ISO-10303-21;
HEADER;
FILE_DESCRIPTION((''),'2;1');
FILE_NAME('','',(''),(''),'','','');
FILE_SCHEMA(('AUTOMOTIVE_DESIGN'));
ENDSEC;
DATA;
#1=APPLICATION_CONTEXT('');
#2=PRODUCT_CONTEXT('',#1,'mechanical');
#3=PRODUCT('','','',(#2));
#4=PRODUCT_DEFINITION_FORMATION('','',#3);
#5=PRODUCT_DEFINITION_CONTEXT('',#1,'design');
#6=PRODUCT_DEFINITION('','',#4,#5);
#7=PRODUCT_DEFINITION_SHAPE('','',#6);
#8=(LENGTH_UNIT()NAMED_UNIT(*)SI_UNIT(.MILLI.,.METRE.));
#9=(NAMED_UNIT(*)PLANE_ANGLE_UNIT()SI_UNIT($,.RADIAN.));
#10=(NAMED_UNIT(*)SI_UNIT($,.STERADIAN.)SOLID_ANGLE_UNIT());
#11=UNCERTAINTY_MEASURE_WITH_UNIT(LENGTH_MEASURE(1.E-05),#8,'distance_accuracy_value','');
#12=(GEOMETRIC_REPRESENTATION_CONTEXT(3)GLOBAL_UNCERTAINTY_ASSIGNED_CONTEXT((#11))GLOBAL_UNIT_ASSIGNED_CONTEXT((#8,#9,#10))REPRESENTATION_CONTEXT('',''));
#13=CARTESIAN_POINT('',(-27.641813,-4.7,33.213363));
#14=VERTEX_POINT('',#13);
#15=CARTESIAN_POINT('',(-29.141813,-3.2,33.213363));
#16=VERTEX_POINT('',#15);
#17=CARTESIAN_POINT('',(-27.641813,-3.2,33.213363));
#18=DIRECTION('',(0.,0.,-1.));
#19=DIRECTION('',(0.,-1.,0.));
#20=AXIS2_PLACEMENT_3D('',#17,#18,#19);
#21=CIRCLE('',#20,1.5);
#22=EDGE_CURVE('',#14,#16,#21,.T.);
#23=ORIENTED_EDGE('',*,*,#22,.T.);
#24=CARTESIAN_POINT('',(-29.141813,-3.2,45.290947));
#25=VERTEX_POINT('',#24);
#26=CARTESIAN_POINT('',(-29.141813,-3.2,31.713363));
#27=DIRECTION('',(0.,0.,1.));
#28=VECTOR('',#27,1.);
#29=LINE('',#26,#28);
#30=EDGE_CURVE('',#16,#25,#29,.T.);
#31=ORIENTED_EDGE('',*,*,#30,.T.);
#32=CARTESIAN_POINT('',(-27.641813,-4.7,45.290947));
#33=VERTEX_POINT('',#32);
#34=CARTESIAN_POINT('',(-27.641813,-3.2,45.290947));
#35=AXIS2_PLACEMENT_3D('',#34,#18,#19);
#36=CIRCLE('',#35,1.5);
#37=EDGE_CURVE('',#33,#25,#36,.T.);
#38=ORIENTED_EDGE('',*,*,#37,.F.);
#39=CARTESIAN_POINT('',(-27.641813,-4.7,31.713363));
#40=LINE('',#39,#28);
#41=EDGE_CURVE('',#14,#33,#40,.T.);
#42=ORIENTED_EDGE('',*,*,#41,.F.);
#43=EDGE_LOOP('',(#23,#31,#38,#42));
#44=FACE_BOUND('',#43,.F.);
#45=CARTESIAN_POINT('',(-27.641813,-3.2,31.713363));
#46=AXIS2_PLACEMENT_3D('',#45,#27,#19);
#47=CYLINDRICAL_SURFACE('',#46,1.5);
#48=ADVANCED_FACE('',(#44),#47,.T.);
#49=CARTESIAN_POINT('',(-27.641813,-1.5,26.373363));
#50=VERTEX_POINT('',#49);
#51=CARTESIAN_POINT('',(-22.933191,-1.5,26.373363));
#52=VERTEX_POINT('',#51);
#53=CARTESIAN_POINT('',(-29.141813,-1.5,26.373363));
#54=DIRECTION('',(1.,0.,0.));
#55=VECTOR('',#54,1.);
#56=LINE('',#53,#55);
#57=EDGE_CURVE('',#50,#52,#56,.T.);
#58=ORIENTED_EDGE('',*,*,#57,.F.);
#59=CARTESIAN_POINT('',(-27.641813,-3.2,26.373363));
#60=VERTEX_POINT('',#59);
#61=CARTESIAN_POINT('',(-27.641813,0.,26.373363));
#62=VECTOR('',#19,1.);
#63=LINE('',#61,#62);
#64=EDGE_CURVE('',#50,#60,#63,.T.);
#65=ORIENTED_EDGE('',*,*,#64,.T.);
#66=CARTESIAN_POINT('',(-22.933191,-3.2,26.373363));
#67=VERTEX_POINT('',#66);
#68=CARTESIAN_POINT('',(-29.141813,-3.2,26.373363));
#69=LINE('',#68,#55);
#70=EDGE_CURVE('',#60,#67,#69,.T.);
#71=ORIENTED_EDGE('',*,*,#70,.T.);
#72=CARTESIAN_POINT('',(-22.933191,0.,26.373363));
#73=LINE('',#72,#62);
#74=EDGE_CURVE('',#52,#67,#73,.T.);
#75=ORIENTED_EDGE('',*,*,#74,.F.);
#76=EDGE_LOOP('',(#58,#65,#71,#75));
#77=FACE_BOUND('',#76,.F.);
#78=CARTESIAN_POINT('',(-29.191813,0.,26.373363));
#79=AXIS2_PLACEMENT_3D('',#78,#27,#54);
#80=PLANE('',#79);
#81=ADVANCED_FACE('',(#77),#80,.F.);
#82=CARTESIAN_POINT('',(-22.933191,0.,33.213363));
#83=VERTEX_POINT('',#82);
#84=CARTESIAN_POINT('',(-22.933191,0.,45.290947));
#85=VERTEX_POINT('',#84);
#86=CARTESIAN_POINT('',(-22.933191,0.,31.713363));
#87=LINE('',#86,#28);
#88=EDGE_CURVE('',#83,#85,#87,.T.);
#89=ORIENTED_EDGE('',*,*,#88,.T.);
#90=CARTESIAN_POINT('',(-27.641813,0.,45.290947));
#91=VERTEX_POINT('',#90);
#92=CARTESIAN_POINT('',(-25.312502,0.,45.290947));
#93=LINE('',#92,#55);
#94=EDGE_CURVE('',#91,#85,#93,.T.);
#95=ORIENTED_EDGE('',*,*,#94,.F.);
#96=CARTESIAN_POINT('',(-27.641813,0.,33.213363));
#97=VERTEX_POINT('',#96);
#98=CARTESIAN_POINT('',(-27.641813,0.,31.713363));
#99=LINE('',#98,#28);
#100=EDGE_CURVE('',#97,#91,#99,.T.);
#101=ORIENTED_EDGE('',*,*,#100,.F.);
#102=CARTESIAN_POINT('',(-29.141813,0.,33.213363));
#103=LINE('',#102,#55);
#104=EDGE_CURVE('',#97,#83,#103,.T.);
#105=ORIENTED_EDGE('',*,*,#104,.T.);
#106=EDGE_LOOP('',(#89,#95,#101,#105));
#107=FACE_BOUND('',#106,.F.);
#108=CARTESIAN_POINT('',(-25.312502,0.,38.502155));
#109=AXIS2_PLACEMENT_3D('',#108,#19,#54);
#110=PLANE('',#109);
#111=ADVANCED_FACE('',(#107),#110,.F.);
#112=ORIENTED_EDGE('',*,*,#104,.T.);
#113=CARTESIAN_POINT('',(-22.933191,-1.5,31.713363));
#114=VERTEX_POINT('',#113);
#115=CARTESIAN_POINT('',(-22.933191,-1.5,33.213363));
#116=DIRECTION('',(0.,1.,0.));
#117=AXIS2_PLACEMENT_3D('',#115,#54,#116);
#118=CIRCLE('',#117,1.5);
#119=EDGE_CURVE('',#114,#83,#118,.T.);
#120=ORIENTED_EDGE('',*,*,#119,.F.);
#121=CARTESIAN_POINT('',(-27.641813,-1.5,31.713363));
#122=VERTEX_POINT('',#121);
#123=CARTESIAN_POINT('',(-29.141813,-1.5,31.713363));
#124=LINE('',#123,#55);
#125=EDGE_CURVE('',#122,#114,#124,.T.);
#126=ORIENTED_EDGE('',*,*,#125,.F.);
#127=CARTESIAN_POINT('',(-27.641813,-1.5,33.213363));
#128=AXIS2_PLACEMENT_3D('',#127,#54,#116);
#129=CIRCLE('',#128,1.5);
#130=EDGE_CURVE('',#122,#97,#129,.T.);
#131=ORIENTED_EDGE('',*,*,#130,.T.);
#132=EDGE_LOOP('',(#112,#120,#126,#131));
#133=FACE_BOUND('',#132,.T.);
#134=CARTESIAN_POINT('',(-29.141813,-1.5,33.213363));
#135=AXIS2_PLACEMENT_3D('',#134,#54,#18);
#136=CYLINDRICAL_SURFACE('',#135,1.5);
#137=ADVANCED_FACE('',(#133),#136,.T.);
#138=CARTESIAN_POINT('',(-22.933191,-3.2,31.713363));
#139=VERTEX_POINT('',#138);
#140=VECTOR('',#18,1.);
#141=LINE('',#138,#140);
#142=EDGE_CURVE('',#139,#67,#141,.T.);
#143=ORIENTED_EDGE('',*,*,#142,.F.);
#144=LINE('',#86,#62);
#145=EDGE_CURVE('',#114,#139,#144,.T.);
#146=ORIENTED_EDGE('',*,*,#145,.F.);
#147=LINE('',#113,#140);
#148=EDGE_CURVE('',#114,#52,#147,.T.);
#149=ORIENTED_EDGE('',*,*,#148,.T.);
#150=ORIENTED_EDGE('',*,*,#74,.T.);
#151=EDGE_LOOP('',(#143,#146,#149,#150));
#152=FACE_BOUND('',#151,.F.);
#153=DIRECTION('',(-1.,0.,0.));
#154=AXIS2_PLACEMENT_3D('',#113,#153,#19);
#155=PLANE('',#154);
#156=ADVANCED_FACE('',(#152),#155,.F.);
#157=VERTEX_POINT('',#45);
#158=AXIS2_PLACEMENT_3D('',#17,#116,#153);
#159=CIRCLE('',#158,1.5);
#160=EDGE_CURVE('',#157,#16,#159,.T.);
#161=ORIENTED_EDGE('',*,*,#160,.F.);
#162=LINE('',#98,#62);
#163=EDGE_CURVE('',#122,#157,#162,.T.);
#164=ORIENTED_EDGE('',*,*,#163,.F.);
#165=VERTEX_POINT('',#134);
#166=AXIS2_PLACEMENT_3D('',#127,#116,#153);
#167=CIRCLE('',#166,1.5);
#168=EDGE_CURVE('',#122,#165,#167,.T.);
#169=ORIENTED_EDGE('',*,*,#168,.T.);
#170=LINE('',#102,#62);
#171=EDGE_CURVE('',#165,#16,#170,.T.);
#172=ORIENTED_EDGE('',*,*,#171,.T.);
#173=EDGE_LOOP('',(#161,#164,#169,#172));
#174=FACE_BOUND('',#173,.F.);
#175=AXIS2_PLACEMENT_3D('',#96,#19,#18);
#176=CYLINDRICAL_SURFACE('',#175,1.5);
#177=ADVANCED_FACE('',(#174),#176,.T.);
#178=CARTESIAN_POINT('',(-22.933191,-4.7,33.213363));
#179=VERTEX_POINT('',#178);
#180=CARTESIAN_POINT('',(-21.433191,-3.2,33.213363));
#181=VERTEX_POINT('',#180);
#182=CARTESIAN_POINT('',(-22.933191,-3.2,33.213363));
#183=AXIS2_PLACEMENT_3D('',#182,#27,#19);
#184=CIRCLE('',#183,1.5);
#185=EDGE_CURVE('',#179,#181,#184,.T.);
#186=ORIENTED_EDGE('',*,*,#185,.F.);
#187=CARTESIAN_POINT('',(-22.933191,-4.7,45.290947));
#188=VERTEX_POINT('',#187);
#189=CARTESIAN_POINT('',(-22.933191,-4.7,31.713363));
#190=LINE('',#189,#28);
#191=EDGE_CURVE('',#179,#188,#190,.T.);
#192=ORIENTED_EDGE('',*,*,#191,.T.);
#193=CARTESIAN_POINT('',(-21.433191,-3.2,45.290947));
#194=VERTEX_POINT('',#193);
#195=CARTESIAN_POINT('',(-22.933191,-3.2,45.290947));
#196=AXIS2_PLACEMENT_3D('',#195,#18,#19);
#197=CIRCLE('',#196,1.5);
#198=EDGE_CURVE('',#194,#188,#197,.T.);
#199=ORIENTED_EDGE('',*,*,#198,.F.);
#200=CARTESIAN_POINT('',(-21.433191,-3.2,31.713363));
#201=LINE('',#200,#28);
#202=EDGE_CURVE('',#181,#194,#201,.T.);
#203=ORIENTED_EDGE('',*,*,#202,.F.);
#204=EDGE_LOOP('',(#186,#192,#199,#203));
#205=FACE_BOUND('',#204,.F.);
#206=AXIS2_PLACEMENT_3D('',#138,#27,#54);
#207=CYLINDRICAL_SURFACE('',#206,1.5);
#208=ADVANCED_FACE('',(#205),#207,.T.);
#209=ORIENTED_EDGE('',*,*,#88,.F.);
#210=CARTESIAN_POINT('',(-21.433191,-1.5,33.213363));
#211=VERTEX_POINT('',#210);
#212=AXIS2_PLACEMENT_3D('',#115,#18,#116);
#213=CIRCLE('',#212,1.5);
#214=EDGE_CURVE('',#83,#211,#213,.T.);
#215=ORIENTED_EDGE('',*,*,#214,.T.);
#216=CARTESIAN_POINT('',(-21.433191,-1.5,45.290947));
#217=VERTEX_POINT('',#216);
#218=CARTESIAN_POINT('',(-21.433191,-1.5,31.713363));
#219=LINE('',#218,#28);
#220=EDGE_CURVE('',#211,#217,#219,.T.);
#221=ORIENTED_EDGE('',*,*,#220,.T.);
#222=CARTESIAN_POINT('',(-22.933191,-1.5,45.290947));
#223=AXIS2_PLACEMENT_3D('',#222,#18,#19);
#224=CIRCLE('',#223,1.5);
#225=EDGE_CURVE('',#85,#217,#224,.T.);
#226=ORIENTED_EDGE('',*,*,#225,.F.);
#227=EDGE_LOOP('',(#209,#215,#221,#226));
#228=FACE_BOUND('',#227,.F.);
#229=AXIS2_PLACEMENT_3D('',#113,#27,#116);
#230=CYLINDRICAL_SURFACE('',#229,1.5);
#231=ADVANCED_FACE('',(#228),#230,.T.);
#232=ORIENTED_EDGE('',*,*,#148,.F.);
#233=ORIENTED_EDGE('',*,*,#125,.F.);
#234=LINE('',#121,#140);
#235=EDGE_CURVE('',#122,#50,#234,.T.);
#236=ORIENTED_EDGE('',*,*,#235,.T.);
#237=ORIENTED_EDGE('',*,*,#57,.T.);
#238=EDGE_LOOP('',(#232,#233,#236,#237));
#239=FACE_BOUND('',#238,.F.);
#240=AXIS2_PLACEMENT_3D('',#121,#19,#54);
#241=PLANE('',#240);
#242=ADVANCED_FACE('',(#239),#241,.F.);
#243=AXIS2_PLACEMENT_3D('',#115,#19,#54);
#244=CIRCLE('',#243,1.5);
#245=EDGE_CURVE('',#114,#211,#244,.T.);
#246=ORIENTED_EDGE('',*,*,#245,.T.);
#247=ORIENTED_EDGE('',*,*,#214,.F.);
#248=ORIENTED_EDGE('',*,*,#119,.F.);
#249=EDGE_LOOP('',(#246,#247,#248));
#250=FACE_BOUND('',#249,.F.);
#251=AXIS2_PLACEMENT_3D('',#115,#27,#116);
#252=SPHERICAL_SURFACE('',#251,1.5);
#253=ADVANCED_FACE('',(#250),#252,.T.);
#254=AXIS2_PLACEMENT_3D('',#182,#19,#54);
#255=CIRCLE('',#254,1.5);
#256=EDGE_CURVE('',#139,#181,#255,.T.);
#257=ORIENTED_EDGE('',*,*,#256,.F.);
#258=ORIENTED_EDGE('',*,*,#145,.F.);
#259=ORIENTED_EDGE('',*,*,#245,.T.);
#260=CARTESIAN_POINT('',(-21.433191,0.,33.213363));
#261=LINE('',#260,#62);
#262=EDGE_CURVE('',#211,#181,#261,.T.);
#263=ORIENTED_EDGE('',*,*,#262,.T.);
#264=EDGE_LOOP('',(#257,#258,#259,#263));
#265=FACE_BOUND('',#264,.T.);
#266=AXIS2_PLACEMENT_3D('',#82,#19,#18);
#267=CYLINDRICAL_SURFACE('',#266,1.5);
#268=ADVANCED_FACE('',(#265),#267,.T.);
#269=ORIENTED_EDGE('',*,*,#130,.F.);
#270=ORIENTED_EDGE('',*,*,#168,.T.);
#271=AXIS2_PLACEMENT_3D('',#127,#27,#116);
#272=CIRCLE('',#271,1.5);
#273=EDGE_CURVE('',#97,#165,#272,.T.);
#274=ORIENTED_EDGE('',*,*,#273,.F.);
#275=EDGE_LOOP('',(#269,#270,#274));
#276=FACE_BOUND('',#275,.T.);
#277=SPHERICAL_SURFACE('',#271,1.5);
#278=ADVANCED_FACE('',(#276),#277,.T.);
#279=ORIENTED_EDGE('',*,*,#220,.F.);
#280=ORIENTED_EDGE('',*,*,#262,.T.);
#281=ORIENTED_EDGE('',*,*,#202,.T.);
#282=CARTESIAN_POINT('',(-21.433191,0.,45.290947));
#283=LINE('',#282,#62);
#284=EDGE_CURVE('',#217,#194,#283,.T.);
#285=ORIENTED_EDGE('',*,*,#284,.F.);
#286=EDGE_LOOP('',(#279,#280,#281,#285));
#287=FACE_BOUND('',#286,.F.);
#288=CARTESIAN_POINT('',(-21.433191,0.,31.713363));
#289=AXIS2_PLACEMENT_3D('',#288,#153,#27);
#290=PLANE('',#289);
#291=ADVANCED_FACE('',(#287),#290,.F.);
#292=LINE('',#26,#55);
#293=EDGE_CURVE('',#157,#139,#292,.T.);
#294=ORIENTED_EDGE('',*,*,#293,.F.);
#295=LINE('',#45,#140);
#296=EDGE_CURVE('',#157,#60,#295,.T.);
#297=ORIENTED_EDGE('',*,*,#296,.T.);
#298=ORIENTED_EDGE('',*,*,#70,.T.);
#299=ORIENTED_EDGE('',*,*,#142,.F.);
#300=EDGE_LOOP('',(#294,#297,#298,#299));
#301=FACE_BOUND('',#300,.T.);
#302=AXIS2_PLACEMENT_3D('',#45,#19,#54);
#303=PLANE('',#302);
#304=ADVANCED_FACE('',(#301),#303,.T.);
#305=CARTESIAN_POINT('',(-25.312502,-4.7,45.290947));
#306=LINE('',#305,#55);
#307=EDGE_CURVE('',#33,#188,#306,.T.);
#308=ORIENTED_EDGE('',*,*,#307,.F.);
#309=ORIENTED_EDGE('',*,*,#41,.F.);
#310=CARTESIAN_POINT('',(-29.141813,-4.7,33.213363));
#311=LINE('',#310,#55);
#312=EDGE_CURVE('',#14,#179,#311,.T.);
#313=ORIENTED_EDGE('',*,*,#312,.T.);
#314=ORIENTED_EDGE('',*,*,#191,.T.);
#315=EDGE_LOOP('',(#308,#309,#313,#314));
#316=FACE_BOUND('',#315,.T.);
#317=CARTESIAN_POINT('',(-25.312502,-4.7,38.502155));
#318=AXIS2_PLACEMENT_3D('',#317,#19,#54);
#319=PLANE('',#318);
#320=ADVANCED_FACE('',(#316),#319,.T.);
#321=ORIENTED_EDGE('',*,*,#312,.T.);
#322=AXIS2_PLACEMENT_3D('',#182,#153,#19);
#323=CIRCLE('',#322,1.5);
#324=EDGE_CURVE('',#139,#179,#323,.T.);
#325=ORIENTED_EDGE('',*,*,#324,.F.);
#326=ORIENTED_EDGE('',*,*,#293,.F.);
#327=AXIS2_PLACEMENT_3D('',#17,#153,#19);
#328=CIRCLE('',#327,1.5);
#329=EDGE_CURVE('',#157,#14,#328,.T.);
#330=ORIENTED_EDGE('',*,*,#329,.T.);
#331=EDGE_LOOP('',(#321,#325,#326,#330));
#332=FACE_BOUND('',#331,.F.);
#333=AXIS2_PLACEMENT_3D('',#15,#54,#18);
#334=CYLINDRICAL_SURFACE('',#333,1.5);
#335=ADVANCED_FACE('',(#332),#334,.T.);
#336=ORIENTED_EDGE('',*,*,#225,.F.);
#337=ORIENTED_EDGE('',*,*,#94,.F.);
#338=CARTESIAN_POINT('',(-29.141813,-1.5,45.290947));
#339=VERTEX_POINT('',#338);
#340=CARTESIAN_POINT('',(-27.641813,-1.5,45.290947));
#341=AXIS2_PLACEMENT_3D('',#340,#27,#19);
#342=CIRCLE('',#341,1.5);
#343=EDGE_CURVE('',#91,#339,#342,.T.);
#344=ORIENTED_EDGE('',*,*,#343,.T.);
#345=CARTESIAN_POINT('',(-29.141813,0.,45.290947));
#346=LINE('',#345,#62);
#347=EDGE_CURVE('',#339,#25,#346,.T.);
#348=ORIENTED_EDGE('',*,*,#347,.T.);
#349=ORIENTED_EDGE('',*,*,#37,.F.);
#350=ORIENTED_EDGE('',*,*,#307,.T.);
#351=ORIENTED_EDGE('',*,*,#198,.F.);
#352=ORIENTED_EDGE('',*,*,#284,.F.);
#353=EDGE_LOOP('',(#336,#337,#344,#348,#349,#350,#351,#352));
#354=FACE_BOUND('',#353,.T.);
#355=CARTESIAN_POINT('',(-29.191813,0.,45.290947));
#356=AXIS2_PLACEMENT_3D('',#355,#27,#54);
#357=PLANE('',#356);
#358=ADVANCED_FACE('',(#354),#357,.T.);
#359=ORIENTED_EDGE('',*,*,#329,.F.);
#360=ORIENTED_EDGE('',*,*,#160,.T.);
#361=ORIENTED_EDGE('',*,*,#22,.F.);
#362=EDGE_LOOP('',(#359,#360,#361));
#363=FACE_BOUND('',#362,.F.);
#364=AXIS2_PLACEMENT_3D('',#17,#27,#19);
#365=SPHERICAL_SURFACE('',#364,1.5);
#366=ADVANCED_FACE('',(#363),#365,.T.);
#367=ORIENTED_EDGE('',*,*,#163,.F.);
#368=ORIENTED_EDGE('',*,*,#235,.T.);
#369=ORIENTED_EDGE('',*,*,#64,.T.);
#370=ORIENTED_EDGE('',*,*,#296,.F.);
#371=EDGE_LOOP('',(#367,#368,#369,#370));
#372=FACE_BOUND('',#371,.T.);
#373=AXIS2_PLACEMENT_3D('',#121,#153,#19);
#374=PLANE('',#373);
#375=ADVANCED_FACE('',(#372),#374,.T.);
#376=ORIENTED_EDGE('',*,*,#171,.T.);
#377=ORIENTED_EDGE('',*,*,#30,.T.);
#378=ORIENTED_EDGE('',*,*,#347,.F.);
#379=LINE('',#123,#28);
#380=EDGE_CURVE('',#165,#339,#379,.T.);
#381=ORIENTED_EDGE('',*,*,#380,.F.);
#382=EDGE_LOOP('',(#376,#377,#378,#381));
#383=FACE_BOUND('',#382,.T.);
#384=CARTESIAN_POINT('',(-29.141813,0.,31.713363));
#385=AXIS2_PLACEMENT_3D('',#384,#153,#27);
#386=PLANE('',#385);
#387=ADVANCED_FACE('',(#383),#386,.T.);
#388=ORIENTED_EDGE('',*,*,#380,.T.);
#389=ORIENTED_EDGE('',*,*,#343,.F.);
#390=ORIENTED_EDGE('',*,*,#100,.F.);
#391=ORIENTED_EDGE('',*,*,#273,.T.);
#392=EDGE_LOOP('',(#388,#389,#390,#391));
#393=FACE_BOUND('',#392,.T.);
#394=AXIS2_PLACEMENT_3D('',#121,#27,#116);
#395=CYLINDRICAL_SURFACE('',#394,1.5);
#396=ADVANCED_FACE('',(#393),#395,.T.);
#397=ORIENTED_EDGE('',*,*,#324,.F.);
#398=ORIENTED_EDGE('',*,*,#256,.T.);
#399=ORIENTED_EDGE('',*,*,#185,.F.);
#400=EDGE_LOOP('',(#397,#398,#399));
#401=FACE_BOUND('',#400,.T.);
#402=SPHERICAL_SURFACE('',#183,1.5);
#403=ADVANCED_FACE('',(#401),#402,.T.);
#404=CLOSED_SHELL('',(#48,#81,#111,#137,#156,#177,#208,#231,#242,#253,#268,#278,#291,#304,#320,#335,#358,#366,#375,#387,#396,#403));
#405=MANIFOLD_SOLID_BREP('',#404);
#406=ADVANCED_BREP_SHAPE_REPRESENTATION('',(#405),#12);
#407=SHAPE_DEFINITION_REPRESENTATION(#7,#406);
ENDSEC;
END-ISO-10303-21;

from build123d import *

# Parameters (mm, degrees)
F0_W     = 7.7586211264
F0_H     = 13.5775841773
F1_DEPTH = 4.7
F2_DEPTH = 0.05
F3_R     = 1.5
F4_DEPTH = 5.34


with BuildPart() as f1:
    # F0 (on Front) → F1 (new body)
    with BuildSketch(Plane.XZ):
        with Locations((-25.3125019372, 38.5021548718)):
            Rectangle(F0_W, F0_H)
    extrude(amount=F1_DEPTH)

    # F2 (cut): a face of the model
    f2_faces = [f1.faces().sort_by_distance(p)[0] for p in [
        (-29.1918125004, -2.35, 38.5021548718),
    ]]
    extrude(f2_faces, amount=-F2_DEPTH, mode=Mode.SUBTRACT)

    # F3
    f3_edges = [f1.edges().sort_by_distance(p)[0] for p in [
        (-29.141813, -4.7, 38.502155),
        (-29.141813, 0, 38.502155),
        (-21.433191, 0, 38.502155),
        (-21.433191, -4.7, 38.502155),
        (-25.287502, -4.7, 31.713363),
        (-25.287502, 0, 31.713363),
        (-21.433191, -2.35, 31.713363),
        (-29.141813, -2.35, 31.713363),
    ]]
    fillet(f3_edges, radius=F3_R)

    # F4 (add): a face of the model
    f4_faces = [f1.faces().sort_by_distance(p)[0] for p in [
        (-25.2875019372, -2.35, 31.7133627832),
    ]]
    extrude(f4_faces, amount=F4_DEPTH)


solid = f1.part
